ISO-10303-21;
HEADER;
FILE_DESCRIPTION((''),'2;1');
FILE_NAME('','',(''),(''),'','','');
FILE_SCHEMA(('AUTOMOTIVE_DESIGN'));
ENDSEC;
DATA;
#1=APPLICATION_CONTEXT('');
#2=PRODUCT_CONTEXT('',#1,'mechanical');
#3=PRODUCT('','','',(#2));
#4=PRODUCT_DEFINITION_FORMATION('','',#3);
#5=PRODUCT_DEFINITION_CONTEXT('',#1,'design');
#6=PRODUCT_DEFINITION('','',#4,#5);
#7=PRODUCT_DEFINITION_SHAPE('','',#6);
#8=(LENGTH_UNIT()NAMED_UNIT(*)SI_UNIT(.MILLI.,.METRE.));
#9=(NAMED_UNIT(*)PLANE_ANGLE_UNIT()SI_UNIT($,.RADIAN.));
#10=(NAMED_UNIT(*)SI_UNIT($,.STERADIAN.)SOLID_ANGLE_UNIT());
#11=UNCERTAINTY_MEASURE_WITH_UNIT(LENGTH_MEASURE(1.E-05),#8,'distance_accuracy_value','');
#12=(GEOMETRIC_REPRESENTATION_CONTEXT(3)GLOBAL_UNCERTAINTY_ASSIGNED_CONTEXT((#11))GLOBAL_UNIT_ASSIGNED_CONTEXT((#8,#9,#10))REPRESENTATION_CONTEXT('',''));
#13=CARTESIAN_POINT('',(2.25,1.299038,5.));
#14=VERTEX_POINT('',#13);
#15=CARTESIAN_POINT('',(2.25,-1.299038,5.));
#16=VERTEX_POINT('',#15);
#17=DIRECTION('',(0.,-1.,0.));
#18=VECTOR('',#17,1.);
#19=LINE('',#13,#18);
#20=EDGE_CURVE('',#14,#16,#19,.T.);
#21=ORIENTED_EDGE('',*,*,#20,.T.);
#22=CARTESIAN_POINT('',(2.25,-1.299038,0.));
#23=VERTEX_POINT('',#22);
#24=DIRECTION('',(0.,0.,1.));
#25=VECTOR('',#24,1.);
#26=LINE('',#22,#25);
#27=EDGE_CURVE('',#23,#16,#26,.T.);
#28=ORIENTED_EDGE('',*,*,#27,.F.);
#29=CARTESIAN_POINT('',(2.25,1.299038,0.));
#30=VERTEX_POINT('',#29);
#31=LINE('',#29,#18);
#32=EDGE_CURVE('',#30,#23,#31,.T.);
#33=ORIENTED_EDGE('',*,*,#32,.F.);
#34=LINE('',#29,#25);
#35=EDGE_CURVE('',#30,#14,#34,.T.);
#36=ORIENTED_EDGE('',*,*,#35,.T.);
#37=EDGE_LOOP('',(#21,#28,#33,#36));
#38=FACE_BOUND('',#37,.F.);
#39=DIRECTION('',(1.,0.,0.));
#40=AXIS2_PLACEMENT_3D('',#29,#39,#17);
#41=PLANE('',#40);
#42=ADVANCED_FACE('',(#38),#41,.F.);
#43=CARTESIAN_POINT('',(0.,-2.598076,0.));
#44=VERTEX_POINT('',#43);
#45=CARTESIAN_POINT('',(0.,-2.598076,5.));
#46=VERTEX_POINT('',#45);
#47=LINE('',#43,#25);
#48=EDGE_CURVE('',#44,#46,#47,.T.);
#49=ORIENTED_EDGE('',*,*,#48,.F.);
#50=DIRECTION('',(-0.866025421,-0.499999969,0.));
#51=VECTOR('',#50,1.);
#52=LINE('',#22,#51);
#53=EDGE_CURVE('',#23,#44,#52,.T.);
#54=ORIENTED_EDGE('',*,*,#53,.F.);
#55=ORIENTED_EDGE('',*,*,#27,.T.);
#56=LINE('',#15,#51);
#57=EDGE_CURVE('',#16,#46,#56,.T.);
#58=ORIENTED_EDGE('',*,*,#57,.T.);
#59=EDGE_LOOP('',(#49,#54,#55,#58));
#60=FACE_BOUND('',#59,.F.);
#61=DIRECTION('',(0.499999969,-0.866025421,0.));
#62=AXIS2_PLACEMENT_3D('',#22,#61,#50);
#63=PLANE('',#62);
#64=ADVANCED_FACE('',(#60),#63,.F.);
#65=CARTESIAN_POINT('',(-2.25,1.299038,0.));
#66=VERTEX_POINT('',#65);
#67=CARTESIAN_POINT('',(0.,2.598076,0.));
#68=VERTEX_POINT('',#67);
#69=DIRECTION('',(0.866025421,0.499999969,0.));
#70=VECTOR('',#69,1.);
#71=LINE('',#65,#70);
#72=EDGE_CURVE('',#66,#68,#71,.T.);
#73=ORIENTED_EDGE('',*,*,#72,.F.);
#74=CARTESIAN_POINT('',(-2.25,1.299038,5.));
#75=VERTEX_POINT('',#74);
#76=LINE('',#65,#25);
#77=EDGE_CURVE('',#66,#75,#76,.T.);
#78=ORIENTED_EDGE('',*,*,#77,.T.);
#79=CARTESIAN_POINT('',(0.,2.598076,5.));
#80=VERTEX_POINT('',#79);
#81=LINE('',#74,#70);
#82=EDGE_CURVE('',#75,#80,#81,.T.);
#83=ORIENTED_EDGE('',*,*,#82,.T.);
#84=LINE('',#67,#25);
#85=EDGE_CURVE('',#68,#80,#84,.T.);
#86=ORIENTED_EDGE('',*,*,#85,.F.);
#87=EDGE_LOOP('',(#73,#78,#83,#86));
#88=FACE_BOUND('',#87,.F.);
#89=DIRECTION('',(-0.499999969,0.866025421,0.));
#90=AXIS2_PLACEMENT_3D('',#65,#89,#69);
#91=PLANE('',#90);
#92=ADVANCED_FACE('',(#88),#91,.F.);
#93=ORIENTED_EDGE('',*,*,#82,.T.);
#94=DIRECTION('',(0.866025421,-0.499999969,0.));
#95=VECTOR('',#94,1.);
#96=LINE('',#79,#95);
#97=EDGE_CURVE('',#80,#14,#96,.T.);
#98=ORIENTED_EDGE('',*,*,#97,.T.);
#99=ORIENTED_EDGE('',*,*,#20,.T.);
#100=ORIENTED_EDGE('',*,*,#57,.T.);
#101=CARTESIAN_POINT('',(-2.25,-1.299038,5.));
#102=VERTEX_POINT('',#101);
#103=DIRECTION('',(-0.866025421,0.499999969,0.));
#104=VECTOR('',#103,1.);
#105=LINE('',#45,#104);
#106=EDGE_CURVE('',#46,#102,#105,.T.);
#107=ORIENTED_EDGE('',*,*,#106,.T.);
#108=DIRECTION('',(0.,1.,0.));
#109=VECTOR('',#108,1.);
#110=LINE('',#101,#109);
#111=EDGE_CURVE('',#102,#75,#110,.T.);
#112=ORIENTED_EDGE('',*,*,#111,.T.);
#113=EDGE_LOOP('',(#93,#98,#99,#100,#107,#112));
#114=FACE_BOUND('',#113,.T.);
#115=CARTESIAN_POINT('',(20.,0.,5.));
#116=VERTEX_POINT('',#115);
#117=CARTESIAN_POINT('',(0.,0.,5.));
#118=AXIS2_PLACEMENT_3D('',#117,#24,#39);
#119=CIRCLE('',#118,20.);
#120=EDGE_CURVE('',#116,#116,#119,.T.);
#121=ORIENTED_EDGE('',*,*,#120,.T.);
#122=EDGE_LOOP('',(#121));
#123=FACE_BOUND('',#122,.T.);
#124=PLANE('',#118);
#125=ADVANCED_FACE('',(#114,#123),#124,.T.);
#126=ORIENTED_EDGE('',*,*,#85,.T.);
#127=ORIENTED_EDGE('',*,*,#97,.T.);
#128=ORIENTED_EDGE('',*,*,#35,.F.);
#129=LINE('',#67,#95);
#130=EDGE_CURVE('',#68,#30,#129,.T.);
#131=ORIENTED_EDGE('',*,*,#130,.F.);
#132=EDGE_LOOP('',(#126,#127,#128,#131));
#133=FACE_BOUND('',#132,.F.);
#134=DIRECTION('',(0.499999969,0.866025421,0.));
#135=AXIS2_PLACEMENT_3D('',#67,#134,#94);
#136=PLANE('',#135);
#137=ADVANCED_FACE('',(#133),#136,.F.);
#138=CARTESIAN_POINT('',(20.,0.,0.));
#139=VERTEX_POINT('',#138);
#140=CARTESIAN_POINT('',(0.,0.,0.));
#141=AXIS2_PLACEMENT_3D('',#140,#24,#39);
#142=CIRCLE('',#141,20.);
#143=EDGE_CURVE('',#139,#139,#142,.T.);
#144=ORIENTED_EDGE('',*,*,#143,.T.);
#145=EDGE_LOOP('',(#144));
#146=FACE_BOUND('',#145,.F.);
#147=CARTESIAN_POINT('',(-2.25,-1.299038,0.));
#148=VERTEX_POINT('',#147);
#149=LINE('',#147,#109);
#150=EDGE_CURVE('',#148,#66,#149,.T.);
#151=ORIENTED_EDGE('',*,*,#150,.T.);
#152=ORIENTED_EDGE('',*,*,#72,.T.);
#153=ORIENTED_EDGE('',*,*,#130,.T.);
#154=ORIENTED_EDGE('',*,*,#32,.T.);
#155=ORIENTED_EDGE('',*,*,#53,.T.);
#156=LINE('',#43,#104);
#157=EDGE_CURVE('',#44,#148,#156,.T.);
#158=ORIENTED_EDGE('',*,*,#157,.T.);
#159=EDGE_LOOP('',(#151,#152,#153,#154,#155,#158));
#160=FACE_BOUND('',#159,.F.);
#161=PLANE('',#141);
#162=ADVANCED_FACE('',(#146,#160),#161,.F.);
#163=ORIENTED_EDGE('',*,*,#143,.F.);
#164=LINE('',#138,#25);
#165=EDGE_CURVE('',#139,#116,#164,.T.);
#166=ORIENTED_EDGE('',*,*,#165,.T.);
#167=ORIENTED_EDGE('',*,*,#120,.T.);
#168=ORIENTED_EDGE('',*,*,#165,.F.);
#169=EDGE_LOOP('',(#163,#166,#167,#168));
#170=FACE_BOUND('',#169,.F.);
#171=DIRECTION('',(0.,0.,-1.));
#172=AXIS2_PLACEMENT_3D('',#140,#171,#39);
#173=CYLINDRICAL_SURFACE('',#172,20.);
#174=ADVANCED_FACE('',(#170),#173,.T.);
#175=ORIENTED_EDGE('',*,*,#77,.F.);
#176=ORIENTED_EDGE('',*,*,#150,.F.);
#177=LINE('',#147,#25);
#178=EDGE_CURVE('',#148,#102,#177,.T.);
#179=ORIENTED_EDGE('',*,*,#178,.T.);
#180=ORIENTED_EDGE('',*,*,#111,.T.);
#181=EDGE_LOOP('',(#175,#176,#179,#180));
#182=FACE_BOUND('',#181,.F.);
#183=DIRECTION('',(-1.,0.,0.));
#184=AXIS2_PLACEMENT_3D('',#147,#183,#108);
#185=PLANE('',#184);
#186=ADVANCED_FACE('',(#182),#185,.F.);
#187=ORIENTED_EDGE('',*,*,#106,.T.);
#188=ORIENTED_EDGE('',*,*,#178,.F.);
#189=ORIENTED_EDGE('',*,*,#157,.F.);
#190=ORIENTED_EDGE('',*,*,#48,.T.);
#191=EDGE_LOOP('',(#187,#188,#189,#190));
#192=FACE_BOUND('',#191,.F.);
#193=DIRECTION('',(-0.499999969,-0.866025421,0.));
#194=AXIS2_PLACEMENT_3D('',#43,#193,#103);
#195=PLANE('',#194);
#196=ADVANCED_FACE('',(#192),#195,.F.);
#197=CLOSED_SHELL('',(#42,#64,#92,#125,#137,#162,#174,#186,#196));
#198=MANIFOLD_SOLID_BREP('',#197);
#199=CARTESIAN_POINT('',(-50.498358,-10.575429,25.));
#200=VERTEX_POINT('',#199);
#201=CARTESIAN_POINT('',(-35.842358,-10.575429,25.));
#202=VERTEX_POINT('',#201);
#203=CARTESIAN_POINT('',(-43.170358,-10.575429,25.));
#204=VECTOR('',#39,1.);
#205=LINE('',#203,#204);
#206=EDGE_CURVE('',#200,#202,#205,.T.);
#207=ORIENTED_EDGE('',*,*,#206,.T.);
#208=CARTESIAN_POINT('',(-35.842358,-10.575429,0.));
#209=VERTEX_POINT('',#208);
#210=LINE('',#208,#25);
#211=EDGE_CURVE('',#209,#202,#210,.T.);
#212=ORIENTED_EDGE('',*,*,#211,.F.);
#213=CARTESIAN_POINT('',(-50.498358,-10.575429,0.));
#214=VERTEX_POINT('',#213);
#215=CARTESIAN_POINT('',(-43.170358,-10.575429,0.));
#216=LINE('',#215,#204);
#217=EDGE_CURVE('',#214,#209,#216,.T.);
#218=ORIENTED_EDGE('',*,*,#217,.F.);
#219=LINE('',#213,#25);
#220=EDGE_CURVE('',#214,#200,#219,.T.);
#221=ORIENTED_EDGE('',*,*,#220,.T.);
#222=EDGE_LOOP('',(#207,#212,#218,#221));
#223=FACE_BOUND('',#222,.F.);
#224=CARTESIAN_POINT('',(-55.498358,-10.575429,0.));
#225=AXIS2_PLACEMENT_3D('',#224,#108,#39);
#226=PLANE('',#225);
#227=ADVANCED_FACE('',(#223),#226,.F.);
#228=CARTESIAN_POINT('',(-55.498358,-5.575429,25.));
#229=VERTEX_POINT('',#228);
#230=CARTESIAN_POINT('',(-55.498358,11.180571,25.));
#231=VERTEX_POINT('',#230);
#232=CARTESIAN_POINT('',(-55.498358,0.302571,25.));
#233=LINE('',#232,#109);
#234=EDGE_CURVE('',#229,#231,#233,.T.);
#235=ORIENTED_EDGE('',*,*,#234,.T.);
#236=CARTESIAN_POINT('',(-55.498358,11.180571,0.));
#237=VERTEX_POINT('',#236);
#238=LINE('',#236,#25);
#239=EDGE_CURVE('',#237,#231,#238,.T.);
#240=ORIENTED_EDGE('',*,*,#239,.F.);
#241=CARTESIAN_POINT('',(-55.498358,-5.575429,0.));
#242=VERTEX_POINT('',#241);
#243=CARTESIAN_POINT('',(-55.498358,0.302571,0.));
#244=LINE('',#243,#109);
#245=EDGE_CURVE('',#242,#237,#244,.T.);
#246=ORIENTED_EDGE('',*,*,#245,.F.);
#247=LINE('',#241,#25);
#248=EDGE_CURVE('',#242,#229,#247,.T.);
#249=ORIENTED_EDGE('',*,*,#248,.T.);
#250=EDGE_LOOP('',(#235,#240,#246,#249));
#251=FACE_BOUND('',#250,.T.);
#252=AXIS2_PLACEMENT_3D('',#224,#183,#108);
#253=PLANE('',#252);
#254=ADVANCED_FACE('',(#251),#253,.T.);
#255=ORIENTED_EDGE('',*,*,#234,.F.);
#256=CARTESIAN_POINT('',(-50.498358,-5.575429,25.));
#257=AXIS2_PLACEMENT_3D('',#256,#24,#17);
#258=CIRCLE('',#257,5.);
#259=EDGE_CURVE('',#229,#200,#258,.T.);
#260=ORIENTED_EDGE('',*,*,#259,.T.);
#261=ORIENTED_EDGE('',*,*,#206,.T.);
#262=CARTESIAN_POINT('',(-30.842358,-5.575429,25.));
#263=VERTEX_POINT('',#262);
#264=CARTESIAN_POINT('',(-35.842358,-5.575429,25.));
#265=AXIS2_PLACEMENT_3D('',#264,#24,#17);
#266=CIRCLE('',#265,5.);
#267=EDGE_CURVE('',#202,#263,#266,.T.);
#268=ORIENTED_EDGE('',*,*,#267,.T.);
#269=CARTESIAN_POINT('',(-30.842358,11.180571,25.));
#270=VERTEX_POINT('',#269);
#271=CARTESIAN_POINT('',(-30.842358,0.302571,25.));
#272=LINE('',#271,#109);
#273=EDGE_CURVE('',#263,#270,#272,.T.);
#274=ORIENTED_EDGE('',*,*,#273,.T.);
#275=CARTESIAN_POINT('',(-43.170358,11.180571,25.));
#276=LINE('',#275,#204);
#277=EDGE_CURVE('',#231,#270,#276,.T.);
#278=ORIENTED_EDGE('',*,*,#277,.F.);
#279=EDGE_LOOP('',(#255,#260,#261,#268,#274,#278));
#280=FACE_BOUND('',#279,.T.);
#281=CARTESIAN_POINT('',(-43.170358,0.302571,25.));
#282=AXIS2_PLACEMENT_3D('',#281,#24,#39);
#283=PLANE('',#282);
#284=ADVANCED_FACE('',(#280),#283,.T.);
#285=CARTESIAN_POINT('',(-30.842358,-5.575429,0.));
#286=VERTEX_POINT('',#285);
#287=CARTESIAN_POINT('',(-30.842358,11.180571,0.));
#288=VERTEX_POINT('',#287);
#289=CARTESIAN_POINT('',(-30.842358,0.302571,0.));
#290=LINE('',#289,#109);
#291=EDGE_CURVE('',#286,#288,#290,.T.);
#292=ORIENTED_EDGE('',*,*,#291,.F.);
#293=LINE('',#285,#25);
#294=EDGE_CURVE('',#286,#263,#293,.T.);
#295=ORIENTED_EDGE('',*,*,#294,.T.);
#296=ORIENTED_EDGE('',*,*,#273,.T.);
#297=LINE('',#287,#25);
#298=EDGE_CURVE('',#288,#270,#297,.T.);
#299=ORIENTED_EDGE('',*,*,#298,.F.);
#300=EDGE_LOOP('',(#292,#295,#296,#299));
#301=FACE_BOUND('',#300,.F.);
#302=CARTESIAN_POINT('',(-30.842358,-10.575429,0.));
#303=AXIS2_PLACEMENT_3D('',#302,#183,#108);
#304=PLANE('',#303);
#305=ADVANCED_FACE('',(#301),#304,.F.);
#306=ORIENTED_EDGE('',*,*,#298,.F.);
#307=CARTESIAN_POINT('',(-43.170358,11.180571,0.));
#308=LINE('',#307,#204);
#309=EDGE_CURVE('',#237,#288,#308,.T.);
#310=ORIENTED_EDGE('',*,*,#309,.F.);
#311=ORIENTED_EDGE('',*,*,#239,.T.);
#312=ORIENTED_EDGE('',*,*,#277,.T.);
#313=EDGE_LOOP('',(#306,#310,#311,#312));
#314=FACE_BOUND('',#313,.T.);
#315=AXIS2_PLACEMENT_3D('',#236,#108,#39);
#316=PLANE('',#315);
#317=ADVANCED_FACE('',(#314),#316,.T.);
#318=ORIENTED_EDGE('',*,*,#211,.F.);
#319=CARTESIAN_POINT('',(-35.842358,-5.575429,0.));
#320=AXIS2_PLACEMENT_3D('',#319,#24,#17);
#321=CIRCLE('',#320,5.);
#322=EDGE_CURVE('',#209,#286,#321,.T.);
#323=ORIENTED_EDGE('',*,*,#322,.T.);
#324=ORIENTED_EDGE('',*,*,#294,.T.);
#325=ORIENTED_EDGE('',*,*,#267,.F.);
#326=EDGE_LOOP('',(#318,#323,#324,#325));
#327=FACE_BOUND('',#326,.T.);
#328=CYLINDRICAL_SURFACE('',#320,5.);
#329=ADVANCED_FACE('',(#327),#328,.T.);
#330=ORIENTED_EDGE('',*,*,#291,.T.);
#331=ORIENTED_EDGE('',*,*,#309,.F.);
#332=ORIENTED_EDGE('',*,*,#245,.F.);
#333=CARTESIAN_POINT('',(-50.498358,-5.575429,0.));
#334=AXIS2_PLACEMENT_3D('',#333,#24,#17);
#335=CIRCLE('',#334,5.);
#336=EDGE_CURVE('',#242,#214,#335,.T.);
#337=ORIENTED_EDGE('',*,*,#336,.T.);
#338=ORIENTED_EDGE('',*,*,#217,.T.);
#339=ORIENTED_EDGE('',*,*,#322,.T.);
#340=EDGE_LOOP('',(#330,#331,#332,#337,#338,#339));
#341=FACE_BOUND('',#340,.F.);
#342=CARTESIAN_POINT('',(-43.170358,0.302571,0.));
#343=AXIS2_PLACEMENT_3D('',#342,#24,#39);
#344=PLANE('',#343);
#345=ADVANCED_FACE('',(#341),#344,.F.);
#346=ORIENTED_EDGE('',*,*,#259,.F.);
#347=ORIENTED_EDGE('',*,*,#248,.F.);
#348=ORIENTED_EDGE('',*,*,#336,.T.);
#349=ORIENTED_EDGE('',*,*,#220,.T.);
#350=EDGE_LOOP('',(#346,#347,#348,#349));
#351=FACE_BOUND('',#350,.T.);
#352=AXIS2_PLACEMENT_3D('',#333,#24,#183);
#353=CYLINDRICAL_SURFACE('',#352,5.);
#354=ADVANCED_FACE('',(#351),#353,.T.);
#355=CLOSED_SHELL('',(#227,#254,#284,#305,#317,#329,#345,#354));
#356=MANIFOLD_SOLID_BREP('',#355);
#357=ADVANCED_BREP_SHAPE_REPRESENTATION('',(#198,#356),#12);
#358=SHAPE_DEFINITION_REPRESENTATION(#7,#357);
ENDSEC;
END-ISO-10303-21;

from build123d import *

# Parameters (mm, degrees)
F0_R     = 20
F1_DEPTH = 5
F0_W     = 24.656
F0_H     = 21.756
F2_DEPTH = 25
F3_R     = 5


with BuildPart() as f1:
    # F0 (on Top) → F1 (new body)
    with BuildSketch(Plane.XY):
        Circle(F0_R)
        Polygon((0, 2.598076), (2.25, 1.299038), (2.25, -1.299038), (0, -2.598076), (-2.25, -1.299038), (-2.25, 1.299038), align=None, mode=Mode.SUBTRACT)
    extrude(amount=F1_DEPTH)


with BuildPart() as f2:
    # F0 (on Top) → F2 (new body)
    with BuildSketch(Plane.XY):
        with Locations((-43.170358, 0.302571)):
            Rectangle(F0_W, F0_H)
    extrude(amount=F2_DEPTH)

    # F3
    f3_edges = [f2.edges().sort_by_distance(p)[0] for p in [
        (-30.842358, -10.575429, 12.5),
        (-55.498358, -10.575429, 12.5),
    ]]
    fillet(f3_edges, radius=F3_R)


solid = Compound([f1.part, f2.part])
